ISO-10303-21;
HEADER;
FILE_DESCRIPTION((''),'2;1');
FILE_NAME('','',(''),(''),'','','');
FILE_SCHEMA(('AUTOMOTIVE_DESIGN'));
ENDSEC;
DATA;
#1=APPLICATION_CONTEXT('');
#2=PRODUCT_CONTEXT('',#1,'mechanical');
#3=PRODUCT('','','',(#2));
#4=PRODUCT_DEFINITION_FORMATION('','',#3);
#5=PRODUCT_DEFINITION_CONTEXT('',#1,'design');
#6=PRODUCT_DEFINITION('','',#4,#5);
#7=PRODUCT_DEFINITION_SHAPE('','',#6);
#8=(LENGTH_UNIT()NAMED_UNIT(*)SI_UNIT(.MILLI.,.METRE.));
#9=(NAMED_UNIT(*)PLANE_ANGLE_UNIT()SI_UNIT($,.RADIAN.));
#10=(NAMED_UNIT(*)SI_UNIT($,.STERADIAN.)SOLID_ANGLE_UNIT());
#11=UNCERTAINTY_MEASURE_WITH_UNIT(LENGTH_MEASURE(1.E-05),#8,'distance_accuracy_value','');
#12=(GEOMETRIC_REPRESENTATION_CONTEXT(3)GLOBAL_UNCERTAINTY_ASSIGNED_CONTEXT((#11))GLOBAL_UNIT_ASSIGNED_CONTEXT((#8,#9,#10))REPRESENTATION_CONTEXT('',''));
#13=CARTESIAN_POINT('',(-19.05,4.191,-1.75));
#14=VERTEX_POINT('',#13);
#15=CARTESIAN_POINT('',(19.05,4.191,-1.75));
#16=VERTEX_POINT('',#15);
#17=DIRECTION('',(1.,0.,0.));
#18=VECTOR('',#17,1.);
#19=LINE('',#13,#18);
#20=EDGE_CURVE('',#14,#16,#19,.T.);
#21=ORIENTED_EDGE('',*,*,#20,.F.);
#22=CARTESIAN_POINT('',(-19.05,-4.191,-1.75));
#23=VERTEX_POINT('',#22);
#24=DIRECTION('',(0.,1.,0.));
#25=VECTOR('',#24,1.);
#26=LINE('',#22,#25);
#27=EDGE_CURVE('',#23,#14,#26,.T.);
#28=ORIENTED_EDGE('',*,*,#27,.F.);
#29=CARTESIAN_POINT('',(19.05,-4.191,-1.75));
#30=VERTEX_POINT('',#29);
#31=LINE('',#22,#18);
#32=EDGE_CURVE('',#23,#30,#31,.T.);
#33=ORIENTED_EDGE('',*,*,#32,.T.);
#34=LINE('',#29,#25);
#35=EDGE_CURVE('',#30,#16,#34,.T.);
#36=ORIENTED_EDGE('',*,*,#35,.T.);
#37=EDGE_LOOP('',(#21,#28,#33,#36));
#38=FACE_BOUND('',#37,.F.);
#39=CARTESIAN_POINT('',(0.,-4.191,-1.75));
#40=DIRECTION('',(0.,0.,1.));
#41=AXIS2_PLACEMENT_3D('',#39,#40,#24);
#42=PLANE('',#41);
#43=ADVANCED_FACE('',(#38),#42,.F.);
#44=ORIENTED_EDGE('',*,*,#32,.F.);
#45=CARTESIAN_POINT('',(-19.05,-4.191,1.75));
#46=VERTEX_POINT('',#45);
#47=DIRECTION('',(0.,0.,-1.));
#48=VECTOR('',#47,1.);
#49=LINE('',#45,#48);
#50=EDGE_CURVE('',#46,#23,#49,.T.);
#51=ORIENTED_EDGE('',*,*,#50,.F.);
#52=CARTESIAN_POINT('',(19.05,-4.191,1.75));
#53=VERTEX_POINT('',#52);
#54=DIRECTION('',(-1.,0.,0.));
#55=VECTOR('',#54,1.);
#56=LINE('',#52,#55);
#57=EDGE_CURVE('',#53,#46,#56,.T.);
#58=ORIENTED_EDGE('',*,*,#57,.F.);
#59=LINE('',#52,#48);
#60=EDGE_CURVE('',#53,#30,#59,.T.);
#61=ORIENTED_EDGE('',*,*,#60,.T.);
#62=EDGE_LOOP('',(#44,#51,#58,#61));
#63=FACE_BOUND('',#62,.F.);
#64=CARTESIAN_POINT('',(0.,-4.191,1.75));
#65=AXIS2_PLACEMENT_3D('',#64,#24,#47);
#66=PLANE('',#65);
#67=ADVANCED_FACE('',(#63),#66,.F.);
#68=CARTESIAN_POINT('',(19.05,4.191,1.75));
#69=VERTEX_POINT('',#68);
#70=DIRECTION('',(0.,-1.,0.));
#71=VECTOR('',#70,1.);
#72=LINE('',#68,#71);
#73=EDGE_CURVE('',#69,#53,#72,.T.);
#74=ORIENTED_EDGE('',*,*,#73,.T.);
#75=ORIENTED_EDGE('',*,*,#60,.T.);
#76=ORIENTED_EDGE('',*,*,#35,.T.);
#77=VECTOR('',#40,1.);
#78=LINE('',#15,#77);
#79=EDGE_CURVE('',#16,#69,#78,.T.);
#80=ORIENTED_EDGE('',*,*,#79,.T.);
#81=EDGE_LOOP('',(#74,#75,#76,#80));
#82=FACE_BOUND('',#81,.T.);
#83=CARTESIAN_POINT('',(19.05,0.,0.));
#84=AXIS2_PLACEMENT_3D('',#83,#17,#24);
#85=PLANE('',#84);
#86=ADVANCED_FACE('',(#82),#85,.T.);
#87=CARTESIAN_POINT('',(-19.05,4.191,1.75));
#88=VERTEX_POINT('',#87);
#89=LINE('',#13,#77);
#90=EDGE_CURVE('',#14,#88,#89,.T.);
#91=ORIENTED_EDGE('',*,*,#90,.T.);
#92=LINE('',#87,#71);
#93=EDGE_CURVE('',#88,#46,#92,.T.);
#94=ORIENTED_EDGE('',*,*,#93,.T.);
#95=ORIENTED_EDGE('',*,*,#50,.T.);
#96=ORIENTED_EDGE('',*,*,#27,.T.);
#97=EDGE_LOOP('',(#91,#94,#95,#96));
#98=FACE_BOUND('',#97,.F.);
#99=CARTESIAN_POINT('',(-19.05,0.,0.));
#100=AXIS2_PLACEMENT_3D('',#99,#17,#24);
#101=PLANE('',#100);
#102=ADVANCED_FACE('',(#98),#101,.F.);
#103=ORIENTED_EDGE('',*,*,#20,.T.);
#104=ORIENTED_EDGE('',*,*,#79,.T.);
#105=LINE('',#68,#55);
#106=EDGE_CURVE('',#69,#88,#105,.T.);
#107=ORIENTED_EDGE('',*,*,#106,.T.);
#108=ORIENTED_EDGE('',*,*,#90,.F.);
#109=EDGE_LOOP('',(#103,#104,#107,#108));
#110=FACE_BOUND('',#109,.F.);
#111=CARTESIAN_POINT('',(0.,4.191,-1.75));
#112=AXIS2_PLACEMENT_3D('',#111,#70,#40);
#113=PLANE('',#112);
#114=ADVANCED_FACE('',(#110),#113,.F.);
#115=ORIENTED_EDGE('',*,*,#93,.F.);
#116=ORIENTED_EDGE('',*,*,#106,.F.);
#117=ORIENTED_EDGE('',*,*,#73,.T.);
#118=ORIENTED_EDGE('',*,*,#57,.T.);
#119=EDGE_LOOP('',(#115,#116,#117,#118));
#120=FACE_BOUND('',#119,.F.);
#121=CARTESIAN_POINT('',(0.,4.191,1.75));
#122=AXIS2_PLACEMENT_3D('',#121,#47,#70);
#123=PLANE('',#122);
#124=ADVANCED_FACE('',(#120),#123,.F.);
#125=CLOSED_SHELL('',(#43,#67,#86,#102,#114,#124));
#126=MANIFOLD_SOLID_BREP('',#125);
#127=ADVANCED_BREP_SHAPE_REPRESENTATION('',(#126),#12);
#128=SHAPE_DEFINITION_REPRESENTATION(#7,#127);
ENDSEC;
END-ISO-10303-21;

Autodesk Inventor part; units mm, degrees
ref_plane "YZ Plane" through (0, 0, 0) normal (1, 0, 0) x (0, 1, 0)
ref_plane "XZ Plane" through (0, 0, 0) normal (0, 1, 0) x (-1, 0, 0)
ref_plane "XY Plane" through (0, 0, 0) normal (0, 0, 1) x (1, 0, 0)
sketch "Sketch1" plane through (0, 0, 0) normal (1, 0, 0) x (0, 1, 0)
  line L0 (-4.191, -1.75) -> (4.191, -1.75)
  line L1 (4.191, -1.75) -> (4.191, 1.75)
  line L2 (4.191, 1.75) -> (-4.191, 1.75)
  line L3 (-4.191, 1.75) -> (-4.191, -1.75)
  line L4 (-4.191, -1.75) -> (4.191, 1.75) construction
  line L5 (4.191, -1.75) -> (-4.191, 1.75) construction
  point P0 (0, 0)
  dimension "d0" = 8.382
  dimension "d1" = 3.5
extrude "Extrusion1" add sketch "Sketch1" along normal mid plane 38.1
properties part number "Chain link"
